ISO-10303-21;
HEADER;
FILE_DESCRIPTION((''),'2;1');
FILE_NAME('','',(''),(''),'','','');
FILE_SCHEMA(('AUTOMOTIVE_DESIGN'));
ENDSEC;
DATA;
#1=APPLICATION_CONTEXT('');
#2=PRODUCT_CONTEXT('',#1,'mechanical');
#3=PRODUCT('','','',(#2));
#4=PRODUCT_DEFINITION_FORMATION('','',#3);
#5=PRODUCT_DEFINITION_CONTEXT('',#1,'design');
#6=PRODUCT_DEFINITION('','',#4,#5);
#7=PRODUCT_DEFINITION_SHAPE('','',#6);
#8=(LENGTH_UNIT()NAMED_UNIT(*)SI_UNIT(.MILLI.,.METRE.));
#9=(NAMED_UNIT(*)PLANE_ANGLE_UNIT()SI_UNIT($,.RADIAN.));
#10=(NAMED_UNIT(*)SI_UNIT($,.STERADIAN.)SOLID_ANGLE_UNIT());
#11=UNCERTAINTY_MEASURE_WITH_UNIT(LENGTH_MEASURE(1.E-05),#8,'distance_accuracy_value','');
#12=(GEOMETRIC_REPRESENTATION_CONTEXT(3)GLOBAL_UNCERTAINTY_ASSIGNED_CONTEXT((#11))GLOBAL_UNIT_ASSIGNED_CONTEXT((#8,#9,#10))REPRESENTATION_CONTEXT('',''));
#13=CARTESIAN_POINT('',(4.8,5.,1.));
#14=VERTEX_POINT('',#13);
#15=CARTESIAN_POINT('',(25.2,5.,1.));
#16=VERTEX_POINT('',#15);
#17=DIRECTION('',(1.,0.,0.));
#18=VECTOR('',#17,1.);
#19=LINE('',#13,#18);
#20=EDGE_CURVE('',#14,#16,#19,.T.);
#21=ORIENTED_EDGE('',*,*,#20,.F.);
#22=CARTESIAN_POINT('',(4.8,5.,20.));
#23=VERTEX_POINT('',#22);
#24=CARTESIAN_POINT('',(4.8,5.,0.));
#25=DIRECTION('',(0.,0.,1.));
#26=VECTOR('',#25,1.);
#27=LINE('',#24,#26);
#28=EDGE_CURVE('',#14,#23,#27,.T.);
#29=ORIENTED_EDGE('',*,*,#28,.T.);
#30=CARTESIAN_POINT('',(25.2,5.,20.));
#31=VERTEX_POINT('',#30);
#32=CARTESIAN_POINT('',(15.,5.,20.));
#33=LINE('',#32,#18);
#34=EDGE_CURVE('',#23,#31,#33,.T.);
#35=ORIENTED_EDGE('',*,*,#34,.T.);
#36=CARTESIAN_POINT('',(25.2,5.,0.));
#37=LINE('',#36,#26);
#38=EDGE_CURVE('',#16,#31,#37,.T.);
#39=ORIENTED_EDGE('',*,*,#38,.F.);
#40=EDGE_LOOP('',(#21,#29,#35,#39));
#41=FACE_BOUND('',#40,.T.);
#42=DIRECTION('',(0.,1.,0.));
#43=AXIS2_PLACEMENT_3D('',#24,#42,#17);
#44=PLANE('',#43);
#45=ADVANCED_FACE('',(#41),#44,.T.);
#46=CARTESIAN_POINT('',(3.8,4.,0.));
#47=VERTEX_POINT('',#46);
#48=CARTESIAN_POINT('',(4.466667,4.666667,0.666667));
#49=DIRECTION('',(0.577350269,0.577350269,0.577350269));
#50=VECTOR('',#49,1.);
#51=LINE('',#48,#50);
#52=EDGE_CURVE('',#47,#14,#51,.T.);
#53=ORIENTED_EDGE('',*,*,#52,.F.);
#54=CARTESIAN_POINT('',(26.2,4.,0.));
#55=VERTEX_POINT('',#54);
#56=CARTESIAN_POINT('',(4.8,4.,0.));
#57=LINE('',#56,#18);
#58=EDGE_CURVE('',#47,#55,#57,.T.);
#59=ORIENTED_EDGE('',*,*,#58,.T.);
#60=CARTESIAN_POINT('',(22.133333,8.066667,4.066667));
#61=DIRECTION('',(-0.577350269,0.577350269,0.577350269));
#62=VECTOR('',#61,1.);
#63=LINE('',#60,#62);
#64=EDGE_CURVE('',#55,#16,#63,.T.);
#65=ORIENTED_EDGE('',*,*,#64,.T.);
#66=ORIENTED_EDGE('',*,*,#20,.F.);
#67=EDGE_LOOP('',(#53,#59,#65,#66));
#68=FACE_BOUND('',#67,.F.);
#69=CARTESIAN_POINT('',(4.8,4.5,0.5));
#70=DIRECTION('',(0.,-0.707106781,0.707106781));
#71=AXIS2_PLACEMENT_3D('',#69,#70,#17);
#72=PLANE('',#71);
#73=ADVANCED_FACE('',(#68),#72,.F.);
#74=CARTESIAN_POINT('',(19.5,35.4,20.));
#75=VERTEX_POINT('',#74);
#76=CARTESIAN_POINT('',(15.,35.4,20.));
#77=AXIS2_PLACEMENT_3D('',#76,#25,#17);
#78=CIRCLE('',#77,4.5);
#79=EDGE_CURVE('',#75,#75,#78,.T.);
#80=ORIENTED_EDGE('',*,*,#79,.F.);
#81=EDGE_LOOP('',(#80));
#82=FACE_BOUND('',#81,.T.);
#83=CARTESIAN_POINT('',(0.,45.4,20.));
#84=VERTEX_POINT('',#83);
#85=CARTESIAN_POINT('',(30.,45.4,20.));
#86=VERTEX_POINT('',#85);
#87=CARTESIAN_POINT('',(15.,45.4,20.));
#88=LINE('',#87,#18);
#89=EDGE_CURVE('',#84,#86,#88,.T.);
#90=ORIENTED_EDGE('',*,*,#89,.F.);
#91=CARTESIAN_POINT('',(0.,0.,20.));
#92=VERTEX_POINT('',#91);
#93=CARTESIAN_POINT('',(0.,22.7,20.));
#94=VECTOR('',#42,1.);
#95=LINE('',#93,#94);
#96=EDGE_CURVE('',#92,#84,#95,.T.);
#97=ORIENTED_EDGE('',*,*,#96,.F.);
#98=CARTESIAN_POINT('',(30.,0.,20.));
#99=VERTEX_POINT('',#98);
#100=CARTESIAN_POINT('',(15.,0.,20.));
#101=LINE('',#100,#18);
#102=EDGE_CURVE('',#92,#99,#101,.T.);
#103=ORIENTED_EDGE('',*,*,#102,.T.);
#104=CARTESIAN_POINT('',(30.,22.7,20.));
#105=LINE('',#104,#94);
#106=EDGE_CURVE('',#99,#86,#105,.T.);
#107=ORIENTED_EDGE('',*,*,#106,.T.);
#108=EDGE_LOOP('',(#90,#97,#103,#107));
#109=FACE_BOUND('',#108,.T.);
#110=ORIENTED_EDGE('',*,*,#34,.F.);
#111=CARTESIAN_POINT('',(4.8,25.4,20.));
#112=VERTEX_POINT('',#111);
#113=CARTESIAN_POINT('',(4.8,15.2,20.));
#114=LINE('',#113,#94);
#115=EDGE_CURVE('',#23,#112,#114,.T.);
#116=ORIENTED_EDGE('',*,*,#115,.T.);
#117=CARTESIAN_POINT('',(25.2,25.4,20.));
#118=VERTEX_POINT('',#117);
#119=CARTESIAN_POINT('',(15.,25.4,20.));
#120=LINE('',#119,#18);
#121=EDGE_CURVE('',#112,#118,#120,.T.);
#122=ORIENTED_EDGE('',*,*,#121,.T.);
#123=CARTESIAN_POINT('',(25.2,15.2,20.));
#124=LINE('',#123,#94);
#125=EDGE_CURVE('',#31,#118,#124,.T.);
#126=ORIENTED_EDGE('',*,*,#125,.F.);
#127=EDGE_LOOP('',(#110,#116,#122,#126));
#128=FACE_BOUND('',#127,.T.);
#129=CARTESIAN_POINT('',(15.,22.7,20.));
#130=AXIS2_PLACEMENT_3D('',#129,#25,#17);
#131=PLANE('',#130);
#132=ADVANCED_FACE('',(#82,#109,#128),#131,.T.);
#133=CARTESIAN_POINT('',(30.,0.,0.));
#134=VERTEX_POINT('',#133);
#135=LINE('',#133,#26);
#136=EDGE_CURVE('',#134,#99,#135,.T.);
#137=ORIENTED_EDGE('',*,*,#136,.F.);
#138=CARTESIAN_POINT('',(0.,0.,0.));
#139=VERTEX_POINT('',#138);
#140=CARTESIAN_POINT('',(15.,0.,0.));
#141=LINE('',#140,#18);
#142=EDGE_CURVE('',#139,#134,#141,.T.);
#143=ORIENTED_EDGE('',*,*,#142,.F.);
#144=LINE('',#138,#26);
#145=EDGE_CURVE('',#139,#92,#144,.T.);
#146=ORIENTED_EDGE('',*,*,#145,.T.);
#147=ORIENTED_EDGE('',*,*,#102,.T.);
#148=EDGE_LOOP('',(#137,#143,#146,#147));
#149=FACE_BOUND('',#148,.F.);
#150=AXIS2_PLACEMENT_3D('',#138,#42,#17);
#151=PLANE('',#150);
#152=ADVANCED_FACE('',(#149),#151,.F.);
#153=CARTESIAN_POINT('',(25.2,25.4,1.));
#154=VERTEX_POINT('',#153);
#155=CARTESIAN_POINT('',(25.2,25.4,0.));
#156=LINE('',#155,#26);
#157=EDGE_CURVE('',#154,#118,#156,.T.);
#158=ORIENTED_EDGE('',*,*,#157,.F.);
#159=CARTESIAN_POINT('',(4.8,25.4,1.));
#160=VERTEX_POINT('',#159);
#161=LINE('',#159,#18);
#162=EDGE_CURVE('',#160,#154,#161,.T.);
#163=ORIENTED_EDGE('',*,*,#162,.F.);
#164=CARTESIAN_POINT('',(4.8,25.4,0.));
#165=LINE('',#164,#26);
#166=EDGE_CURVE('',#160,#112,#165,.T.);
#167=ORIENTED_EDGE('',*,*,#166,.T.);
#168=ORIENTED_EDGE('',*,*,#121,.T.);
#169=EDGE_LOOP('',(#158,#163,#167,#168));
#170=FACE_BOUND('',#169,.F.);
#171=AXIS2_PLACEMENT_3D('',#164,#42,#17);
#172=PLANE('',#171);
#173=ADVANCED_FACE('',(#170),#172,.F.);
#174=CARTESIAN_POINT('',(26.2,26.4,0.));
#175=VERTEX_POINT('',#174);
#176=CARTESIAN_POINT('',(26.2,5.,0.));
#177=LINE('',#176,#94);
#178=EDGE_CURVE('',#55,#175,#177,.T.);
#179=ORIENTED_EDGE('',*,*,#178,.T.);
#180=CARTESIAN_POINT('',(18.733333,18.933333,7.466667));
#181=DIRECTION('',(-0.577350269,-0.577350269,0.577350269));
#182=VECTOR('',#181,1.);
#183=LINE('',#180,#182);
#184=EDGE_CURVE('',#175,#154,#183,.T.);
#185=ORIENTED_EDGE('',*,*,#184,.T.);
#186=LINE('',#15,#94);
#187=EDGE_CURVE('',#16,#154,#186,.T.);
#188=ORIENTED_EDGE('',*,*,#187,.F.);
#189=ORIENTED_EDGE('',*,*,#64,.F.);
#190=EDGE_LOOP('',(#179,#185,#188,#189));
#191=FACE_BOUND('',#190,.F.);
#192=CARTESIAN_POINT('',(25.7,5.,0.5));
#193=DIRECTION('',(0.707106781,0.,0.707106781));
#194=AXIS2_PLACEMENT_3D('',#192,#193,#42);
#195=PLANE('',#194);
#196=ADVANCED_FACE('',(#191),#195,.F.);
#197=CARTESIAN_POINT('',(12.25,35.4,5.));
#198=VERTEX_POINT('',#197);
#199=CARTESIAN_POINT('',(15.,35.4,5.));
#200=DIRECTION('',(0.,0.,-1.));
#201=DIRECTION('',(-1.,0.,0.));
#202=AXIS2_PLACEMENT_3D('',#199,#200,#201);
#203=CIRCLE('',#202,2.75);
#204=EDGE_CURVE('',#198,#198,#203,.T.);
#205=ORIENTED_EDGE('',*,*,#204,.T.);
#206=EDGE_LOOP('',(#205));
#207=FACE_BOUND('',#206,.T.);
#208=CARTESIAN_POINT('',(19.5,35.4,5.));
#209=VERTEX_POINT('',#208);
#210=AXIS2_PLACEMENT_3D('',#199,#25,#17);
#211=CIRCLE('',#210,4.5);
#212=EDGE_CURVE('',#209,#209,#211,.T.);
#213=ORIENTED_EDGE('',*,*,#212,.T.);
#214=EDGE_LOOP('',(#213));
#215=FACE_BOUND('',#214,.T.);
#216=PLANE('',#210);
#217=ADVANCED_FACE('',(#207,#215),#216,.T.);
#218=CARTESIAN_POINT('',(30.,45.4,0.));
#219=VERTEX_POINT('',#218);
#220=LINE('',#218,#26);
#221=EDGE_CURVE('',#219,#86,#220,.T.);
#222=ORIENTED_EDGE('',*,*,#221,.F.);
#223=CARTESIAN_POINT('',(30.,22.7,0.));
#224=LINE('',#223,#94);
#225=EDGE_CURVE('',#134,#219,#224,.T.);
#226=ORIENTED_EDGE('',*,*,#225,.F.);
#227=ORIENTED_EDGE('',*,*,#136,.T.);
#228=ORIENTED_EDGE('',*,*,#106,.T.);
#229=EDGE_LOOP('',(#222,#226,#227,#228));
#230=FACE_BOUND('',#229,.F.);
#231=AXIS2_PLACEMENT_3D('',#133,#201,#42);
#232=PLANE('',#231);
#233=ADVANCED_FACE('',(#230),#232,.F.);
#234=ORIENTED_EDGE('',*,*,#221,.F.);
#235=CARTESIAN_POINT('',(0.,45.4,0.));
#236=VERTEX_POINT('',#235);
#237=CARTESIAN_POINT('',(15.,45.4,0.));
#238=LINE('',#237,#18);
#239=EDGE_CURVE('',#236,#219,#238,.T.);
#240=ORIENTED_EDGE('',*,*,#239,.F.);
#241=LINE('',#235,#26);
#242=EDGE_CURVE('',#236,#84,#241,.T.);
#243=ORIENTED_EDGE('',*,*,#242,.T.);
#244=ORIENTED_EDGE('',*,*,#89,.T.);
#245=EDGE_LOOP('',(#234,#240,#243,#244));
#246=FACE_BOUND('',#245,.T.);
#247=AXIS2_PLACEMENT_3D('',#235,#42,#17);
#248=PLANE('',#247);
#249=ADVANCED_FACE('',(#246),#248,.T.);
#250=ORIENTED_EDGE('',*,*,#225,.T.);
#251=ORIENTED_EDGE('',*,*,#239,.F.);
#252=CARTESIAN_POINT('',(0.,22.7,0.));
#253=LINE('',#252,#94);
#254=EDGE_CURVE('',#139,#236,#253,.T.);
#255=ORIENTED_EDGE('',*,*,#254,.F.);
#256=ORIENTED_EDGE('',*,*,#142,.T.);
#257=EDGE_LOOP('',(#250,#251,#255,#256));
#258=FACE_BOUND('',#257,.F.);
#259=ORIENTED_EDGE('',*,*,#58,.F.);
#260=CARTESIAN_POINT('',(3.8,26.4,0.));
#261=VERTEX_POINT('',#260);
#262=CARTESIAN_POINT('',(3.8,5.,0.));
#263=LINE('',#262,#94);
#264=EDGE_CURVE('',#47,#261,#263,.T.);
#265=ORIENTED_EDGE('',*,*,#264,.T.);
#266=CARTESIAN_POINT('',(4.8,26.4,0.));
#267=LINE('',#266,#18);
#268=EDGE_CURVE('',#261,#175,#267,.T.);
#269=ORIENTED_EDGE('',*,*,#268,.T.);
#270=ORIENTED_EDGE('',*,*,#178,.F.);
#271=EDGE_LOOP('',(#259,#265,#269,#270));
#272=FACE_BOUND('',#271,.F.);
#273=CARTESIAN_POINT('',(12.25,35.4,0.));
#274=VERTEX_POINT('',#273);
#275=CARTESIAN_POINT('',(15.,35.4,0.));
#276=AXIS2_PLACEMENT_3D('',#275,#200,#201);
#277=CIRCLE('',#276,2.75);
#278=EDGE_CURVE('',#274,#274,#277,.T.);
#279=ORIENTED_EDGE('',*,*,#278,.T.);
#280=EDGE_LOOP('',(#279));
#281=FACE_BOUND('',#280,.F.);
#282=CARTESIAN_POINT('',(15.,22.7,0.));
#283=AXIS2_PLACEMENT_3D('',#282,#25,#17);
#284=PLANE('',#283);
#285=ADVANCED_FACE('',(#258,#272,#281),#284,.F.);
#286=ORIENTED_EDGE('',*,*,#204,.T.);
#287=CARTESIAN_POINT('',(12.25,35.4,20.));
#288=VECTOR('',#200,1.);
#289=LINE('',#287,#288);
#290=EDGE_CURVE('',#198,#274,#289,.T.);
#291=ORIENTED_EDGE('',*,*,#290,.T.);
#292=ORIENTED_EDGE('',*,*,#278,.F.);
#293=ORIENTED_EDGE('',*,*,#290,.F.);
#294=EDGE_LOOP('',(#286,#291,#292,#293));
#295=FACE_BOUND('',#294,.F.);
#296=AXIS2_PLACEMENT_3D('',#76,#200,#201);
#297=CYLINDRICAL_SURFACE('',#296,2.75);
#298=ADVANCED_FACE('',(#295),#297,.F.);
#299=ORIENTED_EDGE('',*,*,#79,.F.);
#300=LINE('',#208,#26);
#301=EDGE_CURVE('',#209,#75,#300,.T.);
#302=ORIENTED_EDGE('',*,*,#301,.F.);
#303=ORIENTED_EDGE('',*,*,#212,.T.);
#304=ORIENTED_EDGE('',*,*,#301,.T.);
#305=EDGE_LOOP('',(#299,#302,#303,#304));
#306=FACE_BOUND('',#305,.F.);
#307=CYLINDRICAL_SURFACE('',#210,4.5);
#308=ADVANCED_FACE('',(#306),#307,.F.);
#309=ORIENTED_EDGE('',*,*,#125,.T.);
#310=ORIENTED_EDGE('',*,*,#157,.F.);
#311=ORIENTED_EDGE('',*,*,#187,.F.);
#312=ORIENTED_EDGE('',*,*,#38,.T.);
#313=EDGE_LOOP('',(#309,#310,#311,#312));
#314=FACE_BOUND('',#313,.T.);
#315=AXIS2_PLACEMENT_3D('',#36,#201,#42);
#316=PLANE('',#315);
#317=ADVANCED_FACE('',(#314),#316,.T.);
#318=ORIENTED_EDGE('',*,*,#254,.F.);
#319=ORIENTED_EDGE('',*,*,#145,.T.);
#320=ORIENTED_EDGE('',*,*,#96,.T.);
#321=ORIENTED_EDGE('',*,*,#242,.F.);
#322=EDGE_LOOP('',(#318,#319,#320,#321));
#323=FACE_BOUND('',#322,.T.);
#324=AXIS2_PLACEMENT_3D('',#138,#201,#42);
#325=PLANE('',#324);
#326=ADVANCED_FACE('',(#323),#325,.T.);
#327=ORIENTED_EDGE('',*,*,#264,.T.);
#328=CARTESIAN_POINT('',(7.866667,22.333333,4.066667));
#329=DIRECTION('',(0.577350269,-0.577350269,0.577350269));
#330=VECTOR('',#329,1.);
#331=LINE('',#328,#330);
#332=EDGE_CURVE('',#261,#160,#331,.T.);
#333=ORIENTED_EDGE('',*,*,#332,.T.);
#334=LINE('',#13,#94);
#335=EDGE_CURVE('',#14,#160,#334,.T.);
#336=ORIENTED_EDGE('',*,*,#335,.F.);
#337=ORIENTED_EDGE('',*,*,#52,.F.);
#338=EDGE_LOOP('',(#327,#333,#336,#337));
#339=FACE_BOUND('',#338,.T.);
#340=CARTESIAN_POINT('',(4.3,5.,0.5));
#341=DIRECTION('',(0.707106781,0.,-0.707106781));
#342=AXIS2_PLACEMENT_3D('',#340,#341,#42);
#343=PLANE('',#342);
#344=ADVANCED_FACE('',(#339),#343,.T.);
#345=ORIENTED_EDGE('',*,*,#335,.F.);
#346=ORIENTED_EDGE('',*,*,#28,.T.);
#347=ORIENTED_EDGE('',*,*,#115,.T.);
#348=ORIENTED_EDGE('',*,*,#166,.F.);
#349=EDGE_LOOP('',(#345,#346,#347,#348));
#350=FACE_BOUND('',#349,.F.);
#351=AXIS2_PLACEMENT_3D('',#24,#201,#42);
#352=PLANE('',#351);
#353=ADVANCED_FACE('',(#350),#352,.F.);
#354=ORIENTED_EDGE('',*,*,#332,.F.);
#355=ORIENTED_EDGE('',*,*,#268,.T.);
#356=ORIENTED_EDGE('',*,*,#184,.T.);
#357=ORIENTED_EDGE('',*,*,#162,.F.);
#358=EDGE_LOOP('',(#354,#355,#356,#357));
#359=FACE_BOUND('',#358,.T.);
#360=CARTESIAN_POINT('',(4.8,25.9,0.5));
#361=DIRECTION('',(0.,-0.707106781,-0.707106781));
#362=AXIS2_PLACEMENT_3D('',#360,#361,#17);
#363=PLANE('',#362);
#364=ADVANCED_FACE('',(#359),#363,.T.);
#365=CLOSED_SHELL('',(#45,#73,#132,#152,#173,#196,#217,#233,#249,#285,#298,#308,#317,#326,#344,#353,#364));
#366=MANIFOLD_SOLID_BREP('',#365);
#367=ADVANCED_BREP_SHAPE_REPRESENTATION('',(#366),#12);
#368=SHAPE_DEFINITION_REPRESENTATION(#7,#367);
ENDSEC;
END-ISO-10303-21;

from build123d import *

# Parameters (mm, degrees)
SKETCH_W         = 30
SKETCH_H         = 45.4
SKETCH_W_2       = 20.4
SKETCH_H_2       = 20.4
PAD_DEPTH        = 20
HOLE_D           = 5.5
HOLE_CBORE_D     = 9
HOLE_CBORE_DEPTH = 15
CHAMFER_SIZE     = 1


with BuildPart() as part:
    # Sketch → Pad (new body)
    with BuildSketch(Plane.XY):
        with Locations((15, 22.7)):
            Rectangle(SKETCH_W, SKETCH_H)
        with Locations((15, 15.2)):
            Rectangle(SKETCH_W_2, SKETCH_H_2, mode=Mode.SUBTRACT)
    extrude(amount=PAD_DEPTH)

    # Hole (through all)
    with Locations(Plane.XY.offset(20)):
        with Locations((15, 35.4)):
            CounterBoreHole(HOLE_D / 2, HOLE_CBORE_D / 2, HOLE_CBORE_DEPTH)

    # Chamfer
    chamfer_edges = [part.edges().sort_by_distance(p)[0] for p in [
        (15, 25.4, 0),
        (25.2, 15.2, 0),
        (4.8, 15.2, 0),
        (15, 5, 0),
    ]]
    chamfer(chamfer_edges, length=CHAMFER_SIZE)


solid = part.part
